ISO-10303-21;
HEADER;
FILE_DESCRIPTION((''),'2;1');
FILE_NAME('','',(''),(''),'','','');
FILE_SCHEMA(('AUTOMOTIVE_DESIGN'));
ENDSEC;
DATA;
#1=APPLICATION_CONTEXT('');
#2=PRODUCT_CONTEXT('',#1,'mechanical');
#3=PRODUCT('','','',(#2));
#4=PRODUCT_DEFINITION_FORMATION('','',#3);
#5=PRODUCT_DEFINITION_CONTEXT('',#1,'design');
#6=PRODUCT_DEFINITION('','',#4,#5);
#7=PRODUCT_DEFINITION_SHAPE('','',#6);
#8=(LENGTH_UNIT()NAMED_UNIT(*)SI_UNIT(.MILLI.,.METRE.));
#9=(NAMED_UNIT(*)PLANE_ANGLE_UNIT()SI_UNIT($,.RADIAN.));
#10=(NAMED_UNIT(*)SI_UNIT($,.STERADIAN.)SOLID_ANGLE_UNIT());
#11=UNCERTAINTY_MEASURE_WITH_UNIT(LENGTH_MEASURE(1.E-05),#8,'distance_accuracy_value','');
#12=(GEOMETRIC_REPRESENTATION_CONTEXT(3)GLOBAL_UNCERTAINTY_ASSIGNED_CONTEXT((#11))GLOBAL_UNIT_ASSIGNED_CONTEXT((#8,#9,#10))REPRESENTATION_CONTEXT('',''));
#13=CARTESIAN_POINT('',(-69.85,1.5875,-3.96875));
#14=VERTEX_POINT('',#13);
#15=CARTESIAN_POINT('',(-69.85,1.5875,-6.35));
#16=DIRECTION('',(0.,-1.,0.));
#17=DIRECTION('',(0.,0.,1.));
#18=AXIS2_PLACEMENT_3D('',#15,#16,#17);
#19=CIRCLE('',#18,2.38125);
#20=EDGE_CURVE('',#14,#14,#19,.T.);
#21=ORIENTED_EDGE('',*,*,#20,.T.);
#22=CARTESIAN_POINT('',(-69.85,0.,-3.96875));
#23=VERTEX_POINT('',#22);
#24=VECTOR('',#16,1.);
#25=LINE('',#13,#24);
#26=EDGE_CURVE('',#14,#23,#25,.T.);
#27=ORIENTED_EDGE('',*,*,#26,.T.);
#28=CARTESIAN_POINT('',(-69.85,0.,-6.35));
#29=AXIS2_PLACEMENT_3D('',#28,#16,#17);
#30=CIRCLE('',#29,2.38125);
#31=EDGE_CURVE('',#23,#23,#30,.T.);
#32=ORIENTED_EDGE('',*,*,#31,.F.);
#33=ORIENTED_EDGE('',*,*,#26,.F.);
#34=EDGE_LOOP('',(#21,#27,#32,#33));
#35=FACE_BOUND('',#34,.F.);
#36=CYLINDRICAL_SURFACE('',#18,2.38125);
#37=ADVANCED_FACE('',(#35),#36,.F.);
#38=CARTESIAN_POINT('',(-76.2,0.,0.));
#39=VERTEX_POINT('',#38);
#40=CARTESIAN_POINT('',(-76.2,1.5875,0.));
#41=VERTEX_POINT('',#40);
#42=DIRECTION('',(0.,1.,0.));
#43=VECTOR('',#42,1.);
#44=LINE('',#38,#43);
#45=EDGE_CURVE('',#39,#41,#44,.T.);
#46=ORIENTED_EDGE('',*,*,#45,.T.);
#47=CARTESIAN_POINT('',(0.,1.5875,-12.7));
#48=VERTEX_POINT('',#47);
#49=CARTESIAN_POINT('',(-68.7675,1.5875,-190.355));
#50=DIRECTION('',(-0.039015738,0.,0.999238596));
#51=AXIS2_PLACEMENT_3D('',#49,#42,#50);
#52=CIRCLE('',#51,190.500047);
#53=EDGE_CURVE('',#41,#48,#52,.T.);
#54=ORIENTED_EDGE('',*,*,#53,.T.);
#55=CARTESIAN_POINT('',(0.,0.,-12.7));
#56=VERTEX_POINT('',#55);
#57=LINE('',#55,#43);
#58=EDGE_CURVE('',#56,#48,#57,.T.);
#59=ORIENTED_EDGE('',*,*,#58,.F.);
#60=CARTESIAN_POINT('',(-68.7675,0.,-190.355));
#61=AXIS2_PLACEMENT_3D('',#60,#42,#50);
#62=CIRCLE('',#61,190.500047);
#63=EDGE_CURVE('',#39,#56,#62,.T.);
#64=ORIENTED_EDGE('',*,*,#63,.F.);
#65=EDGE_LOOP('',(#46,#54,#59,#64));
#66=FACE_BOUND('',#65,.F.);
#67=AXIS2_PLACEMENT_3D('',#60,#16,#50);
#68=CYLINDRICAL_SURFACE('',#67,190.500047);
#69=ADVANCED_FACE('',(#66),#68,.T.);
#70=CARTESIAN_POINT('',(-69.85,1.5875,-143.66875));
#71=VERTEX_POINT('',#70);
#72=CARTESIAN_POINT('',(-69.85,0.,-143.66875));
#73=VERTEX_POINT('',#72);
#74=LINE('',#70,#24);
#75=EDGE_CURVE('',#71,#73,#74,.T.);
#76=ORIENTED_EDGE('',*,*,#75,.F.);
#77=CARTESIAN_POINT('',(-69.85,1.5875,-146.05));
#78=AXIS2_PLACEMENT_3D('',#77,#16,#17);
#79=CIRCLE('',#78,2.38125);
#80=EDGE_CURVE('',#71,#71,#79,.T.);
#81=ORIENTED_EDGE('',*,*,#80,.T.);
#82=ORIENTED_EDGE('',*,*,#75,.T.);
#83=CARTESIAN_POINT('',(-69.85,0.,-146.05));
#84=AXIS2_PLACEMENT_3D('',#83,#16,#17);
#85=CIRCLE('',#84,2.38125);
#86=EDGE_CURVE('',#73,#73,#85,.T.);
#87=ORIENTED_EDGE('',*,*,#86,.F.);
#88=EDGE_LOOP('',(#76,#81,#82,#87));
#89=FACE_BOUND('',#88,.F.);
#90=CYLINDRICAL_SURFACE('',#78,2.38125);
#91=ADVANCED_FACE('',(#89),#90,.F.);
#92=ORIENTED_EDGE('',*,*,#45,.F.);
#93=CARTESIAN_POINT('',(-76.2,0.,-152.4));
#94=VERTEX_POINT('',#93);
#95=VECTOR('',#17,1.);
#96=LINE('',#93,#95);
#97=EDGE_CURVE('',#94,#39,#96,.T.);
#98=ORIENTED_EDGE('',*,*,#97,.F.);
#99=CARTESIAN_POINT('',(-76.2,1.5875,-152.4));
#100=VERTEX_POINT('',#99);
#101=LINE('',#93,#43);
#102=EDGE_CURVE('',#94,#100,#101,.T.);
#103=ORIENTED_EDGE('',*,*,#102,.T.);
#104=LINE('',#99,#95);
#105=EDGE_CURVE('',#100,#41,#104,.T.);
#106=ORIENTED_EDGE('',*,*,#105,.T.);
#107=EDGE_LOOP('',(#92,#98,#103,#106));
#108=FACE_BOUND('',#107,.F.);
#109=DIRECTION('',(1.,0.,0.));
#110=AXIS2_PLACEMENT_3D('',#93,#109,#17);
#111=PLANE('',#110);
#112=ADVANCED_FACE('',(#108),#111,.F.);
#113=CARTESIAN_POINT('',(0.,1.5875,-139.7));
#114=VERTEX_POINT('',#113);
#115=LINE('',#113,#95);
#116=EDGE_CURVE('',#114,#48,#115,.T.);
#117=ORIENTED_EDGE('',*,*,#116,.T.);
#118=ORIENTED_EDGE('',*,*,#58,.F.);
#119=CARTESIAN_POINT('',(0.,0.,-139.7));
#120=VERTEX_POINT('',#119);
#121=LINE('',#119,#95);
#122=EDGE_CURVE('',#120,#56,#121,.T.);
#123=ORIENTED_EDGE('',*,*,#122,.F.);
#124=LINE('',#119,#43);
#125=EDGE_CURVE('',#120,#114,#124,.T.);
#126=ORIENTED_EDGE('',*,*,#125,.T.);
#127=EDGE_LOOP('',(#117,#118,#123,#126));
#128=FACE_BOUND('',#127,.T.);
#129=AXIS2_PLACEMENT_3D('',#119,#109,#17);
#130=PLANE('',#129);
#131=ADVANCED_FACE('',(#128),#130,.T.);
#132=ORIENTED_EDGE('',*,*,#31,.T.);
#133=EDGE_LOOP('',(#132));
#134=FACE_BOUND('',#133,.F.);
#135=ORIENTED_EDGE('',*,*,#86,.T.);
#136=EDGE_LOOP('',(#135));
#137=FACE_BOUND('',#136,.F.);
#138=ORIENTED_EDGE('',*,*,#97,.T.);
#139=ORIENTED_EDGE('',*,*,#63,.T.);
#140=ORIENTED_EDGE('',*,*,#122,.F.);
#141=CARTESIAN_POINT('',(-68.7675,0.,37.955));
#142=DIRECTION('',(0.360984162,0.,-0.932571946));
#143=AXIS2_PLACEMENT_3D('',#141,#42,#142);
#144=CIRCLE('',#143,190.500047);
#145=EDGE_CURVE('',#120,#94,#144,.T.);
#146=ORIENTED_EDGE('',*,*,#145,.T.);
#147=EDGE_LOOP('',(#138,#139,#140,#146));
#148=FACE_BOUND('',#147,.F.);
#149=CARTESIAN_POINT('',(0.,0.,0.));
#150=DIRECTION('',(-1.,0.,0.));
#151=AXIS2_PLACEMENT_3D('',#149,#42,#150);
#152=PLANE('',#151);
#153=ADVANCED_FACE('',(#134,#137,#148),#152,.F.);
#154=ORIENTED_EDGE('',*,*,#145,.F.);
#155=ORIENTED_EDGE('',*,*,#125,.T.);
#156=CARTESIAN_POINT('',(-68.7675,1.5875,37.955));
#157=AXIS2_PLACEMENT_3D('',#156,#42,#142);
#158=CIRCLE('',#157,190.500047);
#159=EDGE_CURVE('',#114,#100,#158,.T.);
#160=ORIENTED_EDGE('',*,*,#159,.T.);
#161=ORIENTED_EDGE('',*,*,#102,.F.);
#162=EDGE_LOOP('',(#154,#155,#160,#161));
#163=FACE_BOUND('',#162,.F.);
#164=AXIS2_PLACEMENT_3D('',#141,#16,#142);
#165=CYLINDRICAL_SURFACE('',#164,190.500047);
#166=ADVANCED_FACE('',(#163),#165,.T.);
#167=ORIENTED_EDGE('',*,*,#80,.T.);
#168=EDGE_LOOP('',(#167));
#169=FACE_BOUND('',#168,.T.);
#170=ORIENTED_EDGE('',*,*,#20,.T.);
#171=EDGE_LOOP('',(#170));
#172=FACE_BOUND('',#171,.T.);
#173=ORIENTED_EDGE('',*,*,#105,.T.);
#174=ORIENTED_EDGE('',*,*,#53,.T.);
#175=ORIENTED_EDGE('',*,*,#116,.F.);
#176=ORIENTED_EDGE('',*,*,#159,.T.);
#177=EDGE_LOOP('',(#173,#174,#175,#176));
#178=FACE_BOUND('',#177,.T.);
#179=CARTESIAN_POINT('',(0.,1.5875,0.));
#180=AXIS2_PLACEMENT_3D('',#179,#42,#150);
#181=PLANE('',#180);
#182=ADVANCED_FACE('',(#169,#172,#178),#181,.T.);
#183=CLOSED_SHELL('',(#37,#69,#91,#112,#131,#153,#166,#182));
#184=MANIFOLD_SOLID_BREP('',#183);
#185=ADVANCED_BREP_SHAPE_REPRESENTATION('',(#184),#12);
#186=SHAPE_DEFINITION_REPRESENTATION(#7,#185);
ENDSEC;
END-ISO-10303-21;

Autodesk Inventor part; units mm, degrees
ref_plane "YZ Plane" through (0, 0, 0) normal (1, 0, 0) x (0, 1, 0)
ref_plane "XZ Plane" through (0, 0, 0) normal (0, 1, 0) x (-1, 0, 0)
ref_plane "XY Plane" through (0, 0, 0) normal (0, 0, 1) x (1, 0, 0)
sketch "Sketch1" plane through (0, 0, 0) normal (0, 1, 0) x (-1, 0, 0)
  line L0 (76.2, -152.4) -> (76.2, 0)
  line L1 (0, 0) -> (0, -12.7)
  arc A0 (76.2, 0) -> (0, -12.7) centre (68.7675, -190.355) ccw
  line L2 (0, -152.4) -> (0, -139.7)
  arc A1 (0, -139.7) -> (76.2, -152.4) centre (68.7675, 37.955) ccw
  line L3 (0, -139.7) -> (0, -12.7)
  dimension "d0" = 152.4
  dimension "d1" = 76.2
  dimension "d17" = 12.7
  dimension "d18" = 190.5
  dimension "d20" = 190.5
extrude "Extrusion1" add sketch "Sketch1" along normal blind 1.5875
sketch "Sketch2" plane through (0, 1.5875, 0) normal (0, 1, 0) x (1, 0, 0)
  line L0 (-76.2, 0) -> (0, 0) projected
  line L1 (-76.2, 0) -> (-76.2, 12.7)
  line L2 (-76.2, 152.4) -> (-76.2, 0) projected
  line L3 (-76.2, 12.7) -> (-63.5, 0)
  line L4 (-63.5, 0) -> (-76.2, 0)
  line L5 (-76.2, 0) -> (-69.85, 6.35)
  line L6 (0, 0) -> (0, 12.7)
  line L7 (0, 0) -> (0, 152.4) projected
  line L8 (-76.2, 152.4) -> (-63.5, 152.4)
  line L9 (0, 152.4) -> (-76.2, 152.4) projected
  line L10 (-63.5, 152.4) -> (-76.2, 139.7)
  line L11 (-76.2, 139.7) -> (-76.2, 152.4)
  line L12 (-76.2, 152.4) -> (-69.85, 146.05)
  line L13 (-76.2, 152.4) -> (-67.2197, 152.4) construction
  dimension "d4" = 12.7
  dimension "d5" = 45
  dimension "d6" = 12.7
  dimension "d14" = 12.7
  dimension "d15" = 45
  dimension "d16" = 45
hole "Hole1" at (-69.85, 1.5875, -6.35) at (-69.85, 1.5875, -146.05) direction (0, -1, 0) diameter 4.7625 end through all
properties part number "shoot2" material "ABS Plastic"
